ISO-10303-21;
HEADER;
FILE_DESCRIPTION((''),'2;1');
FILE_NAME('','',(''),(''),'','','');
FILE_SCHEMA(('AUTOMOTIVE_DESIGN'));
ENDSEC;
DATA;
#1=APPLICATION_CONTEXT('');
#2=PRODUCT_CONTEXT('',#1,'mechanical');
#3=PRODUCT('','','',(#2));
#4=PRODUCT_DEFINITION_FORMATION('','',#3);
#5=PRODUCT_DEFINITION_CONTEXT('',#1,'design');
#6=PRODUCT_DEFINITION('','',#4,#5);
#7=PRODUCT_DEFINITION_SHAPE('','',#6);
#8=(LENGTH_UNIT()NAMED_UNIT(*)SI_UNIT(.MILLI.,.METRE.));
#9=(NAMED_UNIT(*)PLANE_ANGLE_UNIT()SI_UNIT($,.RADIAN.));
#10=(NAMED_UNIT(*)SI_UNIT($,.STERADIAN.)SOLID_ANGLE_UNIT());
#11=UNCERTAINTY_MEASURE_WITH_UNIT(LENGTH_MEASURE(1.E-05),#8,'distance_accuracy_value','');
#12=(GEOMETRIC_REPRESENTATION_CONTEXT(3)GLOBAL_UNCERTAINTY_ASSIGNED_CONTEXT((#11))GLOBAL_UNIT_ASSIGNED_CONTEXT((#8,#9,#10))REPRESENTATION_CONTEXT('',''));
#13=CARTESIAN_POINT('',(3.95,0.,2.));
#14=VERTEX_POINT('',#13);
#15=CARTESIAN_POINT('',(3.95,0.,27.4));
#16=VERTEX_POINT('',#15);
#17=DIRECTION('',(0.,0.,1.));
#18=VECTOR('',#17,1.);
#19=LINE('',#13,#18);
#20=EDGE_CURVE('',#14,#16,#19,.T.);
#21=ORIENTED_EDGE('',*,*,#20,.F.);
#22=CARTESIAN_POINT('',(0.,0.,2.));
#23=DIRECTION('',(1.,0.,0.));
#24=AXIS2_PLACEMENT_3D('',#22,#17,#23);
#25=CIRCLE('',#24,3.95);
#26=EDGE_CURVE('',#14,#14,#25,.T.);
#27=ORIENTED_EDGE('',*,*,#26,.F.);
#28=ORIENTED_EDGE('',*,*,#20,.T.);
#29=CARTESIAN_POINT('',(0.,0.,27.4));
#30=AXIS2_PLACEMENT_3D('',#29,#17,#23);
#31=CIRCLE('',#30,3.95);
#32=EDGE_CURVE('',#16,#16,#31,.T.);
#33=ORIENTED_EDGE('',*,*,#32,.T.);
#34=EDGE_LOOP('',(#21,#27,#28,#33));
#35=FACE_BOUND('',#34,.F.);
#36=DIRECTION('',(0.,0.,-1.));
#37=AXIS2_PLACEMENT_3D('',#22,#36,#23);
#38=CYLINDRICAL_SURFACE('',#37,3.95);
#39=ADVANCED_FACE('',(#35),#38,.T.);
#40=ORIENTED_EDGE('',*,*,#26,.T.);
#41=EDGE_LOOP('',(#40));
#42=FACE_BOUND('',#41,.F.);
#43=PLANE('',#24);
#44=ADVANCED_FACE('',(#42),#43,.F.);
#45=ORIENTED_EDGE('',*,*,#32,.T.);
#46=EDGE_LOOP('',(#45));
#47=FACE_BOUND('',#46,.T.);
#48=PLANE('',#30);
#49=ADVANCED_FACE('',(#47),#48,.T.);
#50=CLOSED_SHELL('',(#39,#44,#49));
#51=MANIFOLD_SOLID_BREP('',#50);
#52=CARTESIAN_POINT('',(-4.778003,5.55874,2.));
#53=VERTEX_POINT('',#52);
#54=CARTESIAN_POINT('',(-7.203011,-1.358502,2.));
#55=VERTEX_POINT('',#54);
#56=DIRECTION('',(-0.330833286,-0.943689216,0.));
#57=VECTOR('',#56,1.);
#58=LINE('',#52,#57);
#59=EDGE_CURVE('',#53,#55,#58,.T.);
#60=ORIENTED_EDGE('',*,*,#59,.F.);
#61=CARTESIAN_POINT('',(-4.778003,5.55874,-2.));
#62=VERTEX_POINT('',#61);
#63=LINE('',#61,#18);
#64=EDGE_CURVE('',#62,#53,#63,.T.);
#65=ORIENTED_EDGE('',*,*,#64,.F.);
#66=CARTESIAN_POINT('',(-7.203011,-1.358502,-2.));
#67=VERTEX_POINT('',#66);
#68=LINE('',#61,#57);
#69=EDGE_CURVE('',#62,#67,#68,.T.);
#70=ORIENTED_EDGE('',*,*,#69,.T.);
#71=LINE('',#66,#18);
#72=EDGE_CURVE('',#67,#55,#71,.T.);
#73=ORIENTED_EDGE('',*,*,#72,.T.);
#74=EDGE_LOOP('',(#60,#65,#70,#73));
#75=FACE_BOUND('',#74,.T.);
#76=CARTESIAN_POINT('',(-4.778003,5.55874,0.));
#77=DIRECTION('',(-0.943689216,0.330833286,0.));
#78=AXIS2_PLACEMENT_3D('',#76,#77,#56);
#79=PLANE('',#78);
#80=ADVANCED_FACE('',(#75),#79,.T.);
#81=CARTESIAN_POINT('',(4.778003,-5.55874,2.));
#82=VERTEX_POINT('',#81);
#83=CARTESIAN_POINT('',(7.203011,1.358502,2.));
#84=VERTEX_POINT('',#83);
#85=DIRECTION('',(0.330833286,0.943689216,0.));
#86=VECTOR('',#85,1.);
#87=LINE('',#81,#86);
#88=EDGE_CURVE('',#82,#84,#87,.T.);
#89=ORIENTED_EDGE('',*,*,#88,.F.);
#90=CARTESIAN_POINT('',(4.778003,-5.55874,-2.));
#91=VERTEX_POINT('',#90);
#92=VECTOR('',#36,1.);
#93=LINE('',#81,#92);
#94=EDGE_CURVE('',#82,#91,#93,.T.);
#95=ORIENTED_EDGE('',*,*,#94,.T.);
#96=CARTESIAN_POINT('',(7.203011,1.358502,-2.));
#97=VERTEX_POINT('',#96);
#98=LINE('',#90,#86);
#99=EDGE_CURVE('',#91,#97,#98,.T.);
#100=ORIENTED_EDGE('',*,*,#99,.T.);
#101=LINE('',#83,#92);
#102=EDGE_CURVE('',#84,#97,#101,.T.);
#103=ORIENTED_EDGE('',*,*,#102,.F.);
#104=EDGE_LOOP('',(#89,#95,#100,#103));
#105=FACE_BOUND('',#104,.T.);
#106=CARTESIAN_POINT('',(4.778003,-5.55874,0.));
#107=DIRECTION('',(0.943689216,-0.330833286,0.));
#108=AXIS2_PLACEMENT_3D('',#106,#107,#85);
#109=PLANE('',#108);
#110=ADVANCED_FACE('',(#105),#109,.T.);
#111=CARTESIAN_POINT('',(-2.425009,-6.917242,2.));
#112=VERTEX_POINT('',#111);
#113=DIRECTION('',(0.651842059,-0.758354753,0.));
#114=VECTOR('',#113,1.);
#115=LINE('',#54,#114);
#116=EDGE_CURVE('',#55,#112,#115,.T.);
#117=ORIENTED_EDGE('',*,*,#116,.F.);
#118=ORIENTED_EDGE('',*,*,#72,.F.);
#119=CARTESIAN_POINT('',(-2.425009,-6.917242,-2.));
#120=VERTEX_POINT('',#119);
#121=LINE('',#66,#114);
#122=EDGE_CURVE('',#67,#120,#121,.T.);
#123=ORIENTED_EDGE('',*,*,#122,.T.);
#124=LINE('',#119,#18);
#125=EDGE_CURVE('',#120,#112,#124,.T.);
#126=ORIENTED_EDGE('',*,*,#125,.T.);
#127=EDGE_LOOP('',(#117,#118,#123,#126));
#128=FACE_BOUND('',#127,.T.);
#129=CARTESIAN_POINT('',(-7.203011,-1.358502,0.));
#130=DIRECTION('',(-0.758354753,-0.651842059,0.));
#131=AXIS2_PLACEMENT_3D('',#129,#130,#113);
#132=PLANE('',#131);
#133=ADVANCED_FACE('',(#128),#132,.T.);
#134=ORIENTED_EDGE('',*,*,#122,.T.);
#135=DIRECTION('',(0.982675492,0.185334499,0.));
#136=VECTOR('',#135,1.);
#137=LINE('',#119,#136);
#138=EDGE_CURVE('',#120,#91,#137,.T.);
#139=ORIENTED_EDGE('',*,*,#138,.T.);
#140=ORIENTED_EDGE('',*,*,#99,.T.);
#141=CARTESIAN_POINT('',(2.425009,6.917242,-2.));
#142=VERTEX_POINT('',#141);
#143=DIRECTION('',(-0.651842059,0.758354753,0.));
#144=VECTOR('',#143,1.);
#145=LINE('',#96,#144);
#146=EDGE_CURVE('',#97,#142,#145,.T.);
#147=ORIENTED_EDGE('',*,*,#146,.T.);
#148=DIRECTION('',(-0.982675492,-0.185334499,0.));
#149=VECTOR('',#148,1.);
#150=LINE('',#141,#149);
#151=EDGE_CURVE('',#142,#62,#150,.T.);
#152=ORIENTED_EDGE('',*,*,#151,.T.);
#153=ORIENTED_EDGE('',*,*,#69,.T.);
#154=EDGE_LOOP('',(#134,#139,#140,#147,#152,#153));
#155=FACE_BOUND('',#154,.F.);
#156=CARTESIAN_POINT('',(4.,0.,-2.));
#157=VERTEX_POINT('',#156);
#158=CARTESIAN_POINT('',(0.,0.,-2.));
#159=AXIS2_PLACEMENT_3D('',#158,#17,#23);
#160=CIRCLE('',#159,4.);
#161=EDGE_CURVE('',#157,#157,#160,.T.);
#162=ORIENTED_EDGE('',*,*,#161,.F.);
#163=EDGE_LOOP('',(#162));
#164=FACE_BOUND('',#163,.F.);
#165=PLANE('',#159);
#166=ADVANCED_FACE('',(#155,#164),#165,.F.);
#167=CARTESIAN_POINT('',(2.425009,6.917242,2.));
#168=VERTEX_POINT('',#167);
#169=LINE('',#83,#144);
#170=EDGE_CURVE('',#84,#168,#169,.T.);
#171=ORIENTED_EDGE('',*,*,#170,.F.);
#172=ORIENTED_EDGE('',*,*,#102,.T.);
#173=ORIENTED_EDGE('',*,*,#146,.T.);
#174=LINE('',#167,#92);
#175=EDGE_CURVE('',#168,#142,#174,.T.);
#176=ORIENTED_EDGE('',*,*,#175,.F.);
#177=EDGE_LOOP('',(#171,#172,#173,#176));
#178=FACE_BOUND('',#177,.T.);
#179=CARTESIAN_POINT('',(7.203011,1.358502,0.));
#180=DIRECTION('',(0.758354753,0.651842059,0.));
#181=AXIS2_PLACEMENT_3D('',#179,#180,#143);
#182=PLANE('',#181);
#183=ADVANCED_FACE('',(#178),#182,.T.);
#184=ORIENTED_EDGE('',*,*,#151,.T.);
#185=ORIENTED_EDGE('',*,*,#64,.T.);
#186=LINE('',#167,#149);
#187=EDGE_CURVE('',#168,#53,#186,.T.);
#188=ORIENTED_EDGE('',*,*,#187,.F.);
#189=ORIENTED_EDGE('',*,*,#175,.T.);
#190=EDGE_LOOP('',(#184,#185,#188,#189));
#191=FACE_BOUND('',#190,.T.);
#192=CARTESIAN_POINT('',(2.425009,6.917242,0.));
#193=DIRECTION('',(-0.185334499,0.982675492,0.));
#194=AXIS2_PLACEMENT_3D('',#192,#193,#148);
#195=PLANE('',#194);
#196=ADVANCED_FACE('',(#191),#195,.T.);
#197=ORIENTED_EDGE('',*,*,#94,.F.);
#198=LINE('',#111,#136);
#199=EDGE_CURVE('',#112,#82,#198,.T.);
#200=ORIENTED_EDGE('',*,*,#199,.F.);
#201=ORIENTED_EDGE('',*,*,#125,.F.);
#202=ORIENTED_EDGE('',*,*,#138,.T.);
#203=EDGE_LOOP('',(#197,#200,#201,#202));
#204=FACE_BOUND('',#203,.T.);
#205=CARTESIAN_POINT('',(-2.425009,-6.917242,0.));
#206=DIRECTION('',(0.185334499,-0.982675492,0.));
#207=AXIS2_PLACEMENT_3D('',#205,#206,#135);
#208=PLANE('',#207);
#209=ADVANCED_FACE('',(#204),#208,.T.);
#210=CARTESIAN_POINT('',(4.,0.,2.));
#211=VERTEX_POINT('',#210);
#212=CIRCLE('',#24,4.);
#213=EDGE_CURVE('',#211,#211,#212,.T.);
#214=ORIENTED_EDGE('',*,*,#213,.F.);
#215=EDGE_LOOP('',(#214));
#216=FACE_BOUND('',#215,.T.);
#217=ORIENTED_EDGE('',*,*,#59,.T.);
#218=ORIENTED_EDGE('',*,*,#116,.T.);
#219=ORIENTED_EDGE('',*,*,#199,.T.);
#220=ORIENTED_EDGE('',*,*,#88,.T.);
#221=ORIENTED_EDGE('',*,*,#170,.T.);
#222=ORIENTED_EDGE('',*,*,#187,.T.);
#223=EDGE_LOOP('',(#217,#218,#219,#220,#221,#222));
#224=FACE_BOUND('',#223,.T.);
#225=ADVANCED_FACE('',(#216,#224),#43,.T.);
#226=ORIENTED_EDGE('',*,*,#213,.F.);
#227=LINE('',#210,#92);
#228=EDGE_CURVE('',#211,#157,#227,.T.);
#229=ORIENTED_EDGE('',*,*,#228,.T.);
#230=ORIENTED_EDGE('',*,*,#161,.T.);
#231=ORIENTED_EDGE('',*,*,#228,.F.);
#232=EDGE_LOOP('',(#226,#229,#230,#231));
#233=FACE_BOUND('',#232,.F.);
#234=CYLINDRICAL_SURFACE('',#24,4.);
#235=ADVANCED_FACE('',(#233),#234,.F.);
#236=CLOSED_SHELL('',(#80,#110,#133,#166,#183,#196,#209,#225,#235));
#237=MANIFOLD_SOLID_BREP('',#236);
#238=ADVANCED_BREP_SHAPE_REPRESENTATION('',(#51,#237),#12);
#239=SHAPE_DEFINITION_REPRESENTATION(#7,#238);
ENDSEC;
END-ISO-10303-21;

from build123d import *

# Parameters (mm, degrees)
F1_DEPTH = 2
F2_R     = 4
F3_DEPTH = 25
F4_R     = 3.95
F5_DEPTH = 25.4


with BuildPart() as f1:
    # F0 (on Top) → F1 (new body, symmetric)
    with BuildSketch(Plane.XY):
        Polygon((2.425009, 6.917242), (-4.778003, 5.55874), (-7.203011, -1.358502), (-2.425009, -6.917242), (4.778003, -5.55874), (7.203011, 1.358502), align=None)
    extrude(amount=F1_DEPTH, both=True)

    # F2 (on face) → F3 (cut)
    with BuildSketch(Plane.XY.offset(2)):
        Circle(F2_R)
    extrude(amount=-F3_DEPTH, mode=Mode.SUBTRACT)


with BuildPart() as f5:
    # F4 (on face) → F5 (new body)
    with BuildSketch(Plane.XY.offset(2)):
        Circle(F4_R)
    extrude(amount=F5_DEPTH)


solid = Compound([f1.part, f5.part])
